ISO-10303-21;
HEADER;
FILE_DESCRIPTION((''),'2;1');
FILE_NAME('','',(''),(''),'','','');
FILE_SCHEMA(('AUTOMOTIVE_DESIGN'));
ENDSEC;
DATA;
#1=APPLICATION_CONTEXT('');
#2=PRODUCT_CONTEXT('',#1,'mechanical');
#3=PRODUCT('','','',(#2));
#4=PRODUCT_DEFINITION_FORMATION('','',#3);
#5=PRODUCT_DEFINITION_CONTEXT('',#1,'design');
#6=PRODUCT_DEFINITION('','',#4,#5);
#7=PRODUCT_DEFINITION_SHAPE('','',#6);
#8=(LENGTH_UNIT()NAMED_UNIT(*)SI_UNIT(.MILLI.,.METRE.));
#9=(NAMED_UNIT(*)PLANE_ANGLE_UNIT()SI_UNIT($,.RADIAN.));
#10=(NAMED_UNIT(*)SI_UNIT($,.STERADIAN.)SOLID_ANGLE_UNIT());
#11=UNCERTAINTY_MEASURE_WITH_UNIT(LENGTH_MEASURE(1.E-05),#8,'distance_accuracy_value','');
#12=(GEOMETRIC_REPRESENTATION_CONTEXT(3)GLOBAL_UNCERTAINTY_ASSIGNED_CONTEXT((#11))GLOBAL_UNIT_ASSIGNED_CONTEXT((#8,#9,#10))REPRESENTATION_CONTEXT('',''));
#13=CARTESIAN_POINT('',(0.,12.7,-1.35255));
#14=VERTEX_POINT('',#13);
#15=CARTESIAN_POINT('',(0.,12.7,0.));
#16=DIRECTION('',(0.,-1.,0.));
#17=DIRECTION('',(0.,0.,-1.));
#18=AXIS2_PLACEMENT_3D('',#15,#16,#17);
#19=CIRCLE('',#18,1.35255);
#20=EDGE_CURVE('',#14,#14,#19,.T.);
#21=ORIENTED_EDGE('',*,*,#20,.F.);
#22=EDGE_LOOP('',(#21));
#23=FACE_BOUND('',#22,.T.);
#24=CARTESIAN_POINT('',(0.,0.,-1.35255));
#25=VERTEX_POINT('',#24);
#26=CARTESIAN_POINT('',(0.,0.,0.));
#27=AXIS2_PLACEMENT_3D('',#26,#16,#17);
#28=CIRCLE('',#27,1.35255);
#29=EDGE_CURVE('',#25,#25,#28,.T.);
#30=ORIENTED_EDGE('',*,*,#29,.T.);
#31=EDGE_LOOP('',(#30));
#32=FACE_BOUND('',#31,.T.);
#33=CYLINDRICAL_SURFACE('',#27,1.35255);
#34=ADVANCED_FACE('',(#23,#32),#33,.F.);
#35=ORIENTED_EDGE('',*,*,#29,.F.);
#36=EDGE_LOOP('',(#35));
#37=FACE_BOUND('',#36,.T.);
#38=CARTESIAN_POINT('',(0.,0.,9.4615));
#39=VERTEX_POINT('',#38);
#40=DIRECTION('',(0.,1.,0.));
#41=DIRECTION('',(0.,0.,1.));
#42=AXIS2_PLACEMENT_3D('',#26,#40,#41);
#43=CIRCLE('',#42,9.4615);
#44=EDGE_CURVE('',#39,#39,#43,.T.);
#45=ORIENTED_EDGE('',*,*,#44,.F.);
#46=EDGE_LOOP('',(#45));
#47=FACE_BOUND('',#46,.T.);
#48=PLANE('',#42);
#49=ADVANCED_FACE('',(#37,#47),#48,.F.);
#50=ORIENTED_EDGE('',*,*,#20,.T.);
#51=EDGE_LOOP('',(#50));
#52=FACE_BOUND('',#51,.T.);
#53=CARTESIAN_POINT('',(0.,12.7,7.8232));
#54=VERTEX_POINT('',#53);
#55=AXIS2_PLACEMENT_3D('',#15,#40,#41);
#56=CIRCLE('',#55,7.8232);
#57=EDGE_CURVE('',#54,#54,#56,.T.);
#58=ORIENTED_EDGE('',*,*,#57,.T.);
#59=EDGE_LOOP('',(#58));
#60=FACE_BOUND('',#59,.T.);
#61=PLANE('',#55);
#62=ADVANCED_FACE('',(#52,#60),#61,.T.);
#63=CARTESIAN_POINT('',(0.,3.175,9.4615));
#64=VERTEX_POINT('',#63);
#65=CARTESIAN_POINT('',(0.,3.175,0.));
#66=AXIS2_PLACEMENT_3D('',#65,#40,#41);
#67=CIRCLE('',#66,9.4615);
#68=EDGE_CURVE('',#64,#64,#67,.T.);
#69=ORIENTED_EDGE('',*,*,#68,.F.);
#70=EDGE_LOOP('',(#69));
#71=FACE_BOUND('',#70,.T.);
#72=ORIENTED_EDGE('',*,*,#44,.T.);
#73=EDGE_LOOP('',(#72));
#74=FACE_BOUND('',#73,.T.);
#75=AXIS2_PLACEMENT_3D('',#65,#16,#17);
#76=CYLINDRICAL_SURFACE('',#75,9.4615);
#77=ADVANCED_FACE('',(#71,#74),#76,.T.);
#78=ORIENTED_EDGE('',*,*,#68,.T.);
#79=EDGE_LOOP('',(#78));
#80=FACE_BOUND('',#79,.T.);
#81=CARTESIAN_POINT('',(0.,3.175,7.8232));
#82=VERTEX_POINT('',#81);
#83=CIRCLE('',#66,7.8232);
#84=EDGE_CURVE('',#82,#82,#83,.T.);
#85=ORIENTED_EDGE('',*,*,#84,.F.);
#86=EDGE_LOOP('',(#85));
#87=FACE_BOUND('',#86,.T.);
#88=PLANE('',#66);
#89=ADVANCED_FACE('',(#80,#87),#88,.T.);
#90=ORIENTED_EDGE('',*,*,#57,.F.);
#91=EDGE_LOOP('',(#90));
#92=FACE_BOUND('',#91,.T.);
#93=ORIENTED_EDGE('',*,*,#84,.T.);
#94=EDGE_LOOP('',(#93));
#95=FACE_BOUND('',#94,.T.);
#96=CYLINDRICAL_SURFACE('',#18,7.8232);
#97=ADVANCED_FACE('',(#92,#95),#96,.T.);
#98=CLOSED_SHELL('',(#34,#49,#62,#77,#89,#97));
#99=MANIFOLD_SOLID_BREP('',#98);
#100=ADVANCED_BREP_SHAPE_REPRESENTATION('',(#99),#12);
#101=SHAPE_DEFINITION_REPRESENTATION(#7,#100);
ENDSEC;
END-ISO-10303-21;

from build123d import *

# Parameters (mm, degrees)
SKETCH1_R             = 9.4615
EXTRUDE1_DEPTH        = 3.175
SKETCH2_R             = 7.8232
EXTRUDE2_DEPTH        = 9.525
F_6_32_TAPPED_HOLE2_D = 2.7051


with BuildPart() as part:
    # Sketch1 → Extrude1 (new body)
    with BuildSketch(Plane(origin=(0, 0, 0), x_dir=(1, 0, 0), z_dir=(0, 1, 0))):
        with Locations(Location((0, 0, 0), (0, 0, 270))):  # turned: the seam where the file's is
            Circle(SKETCH1_R)
    extrude(amount=EXTRUDE1_DEPTH)

    # Sketch2 → Extrude2 (add)
    with BuildSketch(Plane(origin=(0, 3.175, 0), x_dir=(1, 0, 0), z_dir=(0, 1, 0))):
        with Locations(Location((0, 0, 0), (0, 0, 270))):  # turned: the seam where the file's is
            Circle(SKETCH2_R)
    extrude(amount=EXTRUDE2_DEPTH)

    # #6-32 Tapped Hole2 (through all)
    with Locations(Plane(origin=(0, 0, 0), x_dir=(0, 0, -1), z_dir=(0, -1, 0))):
        with Locations((0, 0)):
            Hole(F_6_32_TAPPED_HOLE2_D / 2)


solid = part.part
